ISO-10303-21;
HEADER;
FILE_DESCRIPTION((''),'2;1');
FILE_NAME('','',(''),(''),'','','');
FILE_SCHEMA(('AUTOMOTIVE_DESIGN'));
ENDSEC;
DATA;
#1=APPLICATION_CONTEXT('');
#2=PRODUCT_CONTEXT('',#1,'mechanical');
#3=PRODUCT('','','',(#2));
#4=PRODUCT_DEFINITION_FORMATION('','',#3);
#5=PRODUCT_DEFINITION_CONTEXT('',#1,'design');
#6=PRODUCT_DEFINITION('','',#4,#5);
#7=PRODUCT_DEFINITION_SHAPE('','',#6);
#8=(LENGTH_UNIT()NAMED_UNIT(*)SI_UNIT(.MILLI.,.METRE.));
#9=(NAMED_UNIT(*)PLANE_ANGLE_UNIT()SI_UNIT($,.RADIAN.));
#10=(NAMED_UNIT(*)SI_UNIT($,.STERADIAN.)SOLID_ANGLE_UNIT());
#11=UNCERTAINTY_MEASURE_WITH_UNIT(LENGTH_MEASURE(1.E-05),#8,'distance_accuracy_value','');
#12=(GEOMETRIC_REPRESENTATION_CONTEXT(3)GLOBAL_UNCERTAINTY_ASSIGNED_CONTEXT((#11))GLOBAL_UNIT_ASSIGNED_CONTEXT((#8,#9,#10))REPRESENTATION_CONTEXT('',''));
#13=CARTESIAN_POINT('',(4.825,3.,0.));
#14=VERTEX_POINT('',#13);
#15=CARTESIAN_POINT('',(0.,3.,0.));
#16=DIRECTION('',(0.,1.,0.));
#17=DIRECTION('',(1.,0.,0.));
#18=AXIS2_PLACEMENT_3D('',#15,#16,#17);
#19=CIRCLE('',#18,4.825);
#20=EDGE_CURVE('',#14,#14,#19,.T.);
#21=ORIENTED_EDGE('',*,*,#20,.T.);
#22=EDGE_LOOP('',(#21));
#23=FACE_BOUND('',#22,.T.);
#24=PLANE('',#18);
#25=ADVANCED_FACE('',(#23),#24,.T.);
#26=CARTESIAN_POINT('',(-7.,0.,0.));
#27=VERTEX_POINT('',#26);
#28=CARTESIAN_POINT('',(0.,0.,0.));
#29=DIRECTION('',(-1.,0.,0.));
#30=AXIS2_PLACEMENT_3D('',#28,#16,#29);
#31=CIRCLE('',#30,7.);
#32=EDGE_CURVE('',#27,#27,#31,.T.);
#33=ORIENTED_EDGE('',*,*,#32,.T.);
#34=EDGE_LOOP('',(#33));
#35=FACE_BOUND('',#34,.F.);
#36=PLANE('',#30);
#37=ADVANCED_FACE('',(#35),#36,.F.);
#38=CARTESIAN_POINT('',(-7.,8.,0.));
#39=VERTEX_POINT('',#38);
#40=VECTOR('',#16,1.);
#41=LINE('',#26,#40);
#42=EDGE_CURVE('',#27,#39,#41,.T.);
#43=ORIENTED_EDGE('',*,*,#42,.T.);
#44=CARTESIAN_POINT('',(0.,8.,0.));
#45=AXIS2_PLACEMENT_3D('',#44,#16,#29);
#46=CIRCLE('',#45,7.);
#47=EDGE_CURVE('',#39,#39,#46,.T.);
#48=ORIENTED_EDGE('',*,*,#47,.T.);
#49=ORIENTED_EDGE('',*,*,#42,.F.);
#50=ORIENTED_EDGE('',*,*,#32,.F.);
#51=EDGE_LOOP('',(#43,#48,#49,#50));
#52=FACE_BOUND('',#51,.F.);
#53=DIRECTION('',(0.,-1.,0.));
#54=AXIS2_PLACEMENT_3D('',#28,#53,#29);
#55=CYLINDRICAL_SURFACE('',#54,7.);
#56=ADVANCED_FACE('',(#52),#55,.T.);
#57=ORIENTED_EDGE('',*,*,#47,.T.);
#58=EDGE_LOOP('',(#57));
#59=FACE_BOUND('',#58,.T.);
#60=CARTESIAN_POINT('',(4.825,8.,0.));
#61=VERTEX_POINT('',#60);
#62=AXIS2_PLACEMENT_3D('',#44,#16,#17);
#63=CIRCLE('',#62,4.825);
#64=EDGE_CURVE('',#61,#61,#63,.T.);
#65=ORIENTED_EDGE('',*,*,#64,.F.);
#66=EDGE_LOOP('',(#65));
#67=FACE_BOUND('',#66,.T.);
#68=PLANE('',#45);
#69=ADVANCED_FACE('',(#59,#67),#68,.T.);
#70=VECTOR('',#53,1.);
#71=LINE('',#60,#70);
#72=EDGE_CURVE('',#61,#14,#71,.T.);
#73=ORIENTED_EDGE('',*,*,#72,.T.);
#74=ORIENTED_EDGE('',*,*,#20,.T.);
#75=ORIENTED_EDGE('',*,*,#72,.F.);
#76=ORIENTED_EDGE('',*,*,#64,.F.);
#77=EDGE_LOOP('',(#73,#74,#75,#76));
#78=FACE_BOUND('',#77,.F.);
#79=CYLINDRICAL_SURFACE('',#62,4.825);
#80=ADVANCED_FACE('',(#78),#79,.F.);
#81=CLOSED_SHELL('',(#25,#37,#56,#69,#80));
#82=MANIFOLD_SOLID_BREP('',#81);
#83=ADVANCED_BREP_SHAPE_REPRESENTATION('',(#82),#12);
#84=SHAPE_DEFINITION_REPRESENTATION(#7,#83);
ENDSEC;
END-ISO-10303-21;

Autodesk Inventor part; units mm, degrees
ref_plane "YZ Plane" through (0, 0, 0) normal (1, 0, 0) x (0, 1, 0)
ref_plane "XZ Plane" through (0, 0, 0) normal (0, 1, 0) x (-1, 0, 0)
ref_plane "XY Plane" through (0, 0, 0) normal (0, 0, 1) x (1, 0, 0)
sketch "Sketch1" plane through (0, 0, 0) normal (0, 1, 0) x (-1, 0, 0)
  circle A0 centre (0, 0) radius 4.825
  circle A1 centre (0, 0) radius 7
  dimension "d0" = 9.65
  dimension "d1" = 14
extrude "Extrusion1" add sketch "Sketch1" along normal blind 8 contours A0 | A1
sketch "Sketch2" plane through (0, 8, 0) normal (0, 1, 0) x (1, 0, 0)
  circle A0 centre (0, 0) radius 4.825
  dimension "d4" = 9.65
extrude "Extrusion2" cut sketch "Sketch2" against normal blind 5
properties part number "TapaPasador" material "PLA"
